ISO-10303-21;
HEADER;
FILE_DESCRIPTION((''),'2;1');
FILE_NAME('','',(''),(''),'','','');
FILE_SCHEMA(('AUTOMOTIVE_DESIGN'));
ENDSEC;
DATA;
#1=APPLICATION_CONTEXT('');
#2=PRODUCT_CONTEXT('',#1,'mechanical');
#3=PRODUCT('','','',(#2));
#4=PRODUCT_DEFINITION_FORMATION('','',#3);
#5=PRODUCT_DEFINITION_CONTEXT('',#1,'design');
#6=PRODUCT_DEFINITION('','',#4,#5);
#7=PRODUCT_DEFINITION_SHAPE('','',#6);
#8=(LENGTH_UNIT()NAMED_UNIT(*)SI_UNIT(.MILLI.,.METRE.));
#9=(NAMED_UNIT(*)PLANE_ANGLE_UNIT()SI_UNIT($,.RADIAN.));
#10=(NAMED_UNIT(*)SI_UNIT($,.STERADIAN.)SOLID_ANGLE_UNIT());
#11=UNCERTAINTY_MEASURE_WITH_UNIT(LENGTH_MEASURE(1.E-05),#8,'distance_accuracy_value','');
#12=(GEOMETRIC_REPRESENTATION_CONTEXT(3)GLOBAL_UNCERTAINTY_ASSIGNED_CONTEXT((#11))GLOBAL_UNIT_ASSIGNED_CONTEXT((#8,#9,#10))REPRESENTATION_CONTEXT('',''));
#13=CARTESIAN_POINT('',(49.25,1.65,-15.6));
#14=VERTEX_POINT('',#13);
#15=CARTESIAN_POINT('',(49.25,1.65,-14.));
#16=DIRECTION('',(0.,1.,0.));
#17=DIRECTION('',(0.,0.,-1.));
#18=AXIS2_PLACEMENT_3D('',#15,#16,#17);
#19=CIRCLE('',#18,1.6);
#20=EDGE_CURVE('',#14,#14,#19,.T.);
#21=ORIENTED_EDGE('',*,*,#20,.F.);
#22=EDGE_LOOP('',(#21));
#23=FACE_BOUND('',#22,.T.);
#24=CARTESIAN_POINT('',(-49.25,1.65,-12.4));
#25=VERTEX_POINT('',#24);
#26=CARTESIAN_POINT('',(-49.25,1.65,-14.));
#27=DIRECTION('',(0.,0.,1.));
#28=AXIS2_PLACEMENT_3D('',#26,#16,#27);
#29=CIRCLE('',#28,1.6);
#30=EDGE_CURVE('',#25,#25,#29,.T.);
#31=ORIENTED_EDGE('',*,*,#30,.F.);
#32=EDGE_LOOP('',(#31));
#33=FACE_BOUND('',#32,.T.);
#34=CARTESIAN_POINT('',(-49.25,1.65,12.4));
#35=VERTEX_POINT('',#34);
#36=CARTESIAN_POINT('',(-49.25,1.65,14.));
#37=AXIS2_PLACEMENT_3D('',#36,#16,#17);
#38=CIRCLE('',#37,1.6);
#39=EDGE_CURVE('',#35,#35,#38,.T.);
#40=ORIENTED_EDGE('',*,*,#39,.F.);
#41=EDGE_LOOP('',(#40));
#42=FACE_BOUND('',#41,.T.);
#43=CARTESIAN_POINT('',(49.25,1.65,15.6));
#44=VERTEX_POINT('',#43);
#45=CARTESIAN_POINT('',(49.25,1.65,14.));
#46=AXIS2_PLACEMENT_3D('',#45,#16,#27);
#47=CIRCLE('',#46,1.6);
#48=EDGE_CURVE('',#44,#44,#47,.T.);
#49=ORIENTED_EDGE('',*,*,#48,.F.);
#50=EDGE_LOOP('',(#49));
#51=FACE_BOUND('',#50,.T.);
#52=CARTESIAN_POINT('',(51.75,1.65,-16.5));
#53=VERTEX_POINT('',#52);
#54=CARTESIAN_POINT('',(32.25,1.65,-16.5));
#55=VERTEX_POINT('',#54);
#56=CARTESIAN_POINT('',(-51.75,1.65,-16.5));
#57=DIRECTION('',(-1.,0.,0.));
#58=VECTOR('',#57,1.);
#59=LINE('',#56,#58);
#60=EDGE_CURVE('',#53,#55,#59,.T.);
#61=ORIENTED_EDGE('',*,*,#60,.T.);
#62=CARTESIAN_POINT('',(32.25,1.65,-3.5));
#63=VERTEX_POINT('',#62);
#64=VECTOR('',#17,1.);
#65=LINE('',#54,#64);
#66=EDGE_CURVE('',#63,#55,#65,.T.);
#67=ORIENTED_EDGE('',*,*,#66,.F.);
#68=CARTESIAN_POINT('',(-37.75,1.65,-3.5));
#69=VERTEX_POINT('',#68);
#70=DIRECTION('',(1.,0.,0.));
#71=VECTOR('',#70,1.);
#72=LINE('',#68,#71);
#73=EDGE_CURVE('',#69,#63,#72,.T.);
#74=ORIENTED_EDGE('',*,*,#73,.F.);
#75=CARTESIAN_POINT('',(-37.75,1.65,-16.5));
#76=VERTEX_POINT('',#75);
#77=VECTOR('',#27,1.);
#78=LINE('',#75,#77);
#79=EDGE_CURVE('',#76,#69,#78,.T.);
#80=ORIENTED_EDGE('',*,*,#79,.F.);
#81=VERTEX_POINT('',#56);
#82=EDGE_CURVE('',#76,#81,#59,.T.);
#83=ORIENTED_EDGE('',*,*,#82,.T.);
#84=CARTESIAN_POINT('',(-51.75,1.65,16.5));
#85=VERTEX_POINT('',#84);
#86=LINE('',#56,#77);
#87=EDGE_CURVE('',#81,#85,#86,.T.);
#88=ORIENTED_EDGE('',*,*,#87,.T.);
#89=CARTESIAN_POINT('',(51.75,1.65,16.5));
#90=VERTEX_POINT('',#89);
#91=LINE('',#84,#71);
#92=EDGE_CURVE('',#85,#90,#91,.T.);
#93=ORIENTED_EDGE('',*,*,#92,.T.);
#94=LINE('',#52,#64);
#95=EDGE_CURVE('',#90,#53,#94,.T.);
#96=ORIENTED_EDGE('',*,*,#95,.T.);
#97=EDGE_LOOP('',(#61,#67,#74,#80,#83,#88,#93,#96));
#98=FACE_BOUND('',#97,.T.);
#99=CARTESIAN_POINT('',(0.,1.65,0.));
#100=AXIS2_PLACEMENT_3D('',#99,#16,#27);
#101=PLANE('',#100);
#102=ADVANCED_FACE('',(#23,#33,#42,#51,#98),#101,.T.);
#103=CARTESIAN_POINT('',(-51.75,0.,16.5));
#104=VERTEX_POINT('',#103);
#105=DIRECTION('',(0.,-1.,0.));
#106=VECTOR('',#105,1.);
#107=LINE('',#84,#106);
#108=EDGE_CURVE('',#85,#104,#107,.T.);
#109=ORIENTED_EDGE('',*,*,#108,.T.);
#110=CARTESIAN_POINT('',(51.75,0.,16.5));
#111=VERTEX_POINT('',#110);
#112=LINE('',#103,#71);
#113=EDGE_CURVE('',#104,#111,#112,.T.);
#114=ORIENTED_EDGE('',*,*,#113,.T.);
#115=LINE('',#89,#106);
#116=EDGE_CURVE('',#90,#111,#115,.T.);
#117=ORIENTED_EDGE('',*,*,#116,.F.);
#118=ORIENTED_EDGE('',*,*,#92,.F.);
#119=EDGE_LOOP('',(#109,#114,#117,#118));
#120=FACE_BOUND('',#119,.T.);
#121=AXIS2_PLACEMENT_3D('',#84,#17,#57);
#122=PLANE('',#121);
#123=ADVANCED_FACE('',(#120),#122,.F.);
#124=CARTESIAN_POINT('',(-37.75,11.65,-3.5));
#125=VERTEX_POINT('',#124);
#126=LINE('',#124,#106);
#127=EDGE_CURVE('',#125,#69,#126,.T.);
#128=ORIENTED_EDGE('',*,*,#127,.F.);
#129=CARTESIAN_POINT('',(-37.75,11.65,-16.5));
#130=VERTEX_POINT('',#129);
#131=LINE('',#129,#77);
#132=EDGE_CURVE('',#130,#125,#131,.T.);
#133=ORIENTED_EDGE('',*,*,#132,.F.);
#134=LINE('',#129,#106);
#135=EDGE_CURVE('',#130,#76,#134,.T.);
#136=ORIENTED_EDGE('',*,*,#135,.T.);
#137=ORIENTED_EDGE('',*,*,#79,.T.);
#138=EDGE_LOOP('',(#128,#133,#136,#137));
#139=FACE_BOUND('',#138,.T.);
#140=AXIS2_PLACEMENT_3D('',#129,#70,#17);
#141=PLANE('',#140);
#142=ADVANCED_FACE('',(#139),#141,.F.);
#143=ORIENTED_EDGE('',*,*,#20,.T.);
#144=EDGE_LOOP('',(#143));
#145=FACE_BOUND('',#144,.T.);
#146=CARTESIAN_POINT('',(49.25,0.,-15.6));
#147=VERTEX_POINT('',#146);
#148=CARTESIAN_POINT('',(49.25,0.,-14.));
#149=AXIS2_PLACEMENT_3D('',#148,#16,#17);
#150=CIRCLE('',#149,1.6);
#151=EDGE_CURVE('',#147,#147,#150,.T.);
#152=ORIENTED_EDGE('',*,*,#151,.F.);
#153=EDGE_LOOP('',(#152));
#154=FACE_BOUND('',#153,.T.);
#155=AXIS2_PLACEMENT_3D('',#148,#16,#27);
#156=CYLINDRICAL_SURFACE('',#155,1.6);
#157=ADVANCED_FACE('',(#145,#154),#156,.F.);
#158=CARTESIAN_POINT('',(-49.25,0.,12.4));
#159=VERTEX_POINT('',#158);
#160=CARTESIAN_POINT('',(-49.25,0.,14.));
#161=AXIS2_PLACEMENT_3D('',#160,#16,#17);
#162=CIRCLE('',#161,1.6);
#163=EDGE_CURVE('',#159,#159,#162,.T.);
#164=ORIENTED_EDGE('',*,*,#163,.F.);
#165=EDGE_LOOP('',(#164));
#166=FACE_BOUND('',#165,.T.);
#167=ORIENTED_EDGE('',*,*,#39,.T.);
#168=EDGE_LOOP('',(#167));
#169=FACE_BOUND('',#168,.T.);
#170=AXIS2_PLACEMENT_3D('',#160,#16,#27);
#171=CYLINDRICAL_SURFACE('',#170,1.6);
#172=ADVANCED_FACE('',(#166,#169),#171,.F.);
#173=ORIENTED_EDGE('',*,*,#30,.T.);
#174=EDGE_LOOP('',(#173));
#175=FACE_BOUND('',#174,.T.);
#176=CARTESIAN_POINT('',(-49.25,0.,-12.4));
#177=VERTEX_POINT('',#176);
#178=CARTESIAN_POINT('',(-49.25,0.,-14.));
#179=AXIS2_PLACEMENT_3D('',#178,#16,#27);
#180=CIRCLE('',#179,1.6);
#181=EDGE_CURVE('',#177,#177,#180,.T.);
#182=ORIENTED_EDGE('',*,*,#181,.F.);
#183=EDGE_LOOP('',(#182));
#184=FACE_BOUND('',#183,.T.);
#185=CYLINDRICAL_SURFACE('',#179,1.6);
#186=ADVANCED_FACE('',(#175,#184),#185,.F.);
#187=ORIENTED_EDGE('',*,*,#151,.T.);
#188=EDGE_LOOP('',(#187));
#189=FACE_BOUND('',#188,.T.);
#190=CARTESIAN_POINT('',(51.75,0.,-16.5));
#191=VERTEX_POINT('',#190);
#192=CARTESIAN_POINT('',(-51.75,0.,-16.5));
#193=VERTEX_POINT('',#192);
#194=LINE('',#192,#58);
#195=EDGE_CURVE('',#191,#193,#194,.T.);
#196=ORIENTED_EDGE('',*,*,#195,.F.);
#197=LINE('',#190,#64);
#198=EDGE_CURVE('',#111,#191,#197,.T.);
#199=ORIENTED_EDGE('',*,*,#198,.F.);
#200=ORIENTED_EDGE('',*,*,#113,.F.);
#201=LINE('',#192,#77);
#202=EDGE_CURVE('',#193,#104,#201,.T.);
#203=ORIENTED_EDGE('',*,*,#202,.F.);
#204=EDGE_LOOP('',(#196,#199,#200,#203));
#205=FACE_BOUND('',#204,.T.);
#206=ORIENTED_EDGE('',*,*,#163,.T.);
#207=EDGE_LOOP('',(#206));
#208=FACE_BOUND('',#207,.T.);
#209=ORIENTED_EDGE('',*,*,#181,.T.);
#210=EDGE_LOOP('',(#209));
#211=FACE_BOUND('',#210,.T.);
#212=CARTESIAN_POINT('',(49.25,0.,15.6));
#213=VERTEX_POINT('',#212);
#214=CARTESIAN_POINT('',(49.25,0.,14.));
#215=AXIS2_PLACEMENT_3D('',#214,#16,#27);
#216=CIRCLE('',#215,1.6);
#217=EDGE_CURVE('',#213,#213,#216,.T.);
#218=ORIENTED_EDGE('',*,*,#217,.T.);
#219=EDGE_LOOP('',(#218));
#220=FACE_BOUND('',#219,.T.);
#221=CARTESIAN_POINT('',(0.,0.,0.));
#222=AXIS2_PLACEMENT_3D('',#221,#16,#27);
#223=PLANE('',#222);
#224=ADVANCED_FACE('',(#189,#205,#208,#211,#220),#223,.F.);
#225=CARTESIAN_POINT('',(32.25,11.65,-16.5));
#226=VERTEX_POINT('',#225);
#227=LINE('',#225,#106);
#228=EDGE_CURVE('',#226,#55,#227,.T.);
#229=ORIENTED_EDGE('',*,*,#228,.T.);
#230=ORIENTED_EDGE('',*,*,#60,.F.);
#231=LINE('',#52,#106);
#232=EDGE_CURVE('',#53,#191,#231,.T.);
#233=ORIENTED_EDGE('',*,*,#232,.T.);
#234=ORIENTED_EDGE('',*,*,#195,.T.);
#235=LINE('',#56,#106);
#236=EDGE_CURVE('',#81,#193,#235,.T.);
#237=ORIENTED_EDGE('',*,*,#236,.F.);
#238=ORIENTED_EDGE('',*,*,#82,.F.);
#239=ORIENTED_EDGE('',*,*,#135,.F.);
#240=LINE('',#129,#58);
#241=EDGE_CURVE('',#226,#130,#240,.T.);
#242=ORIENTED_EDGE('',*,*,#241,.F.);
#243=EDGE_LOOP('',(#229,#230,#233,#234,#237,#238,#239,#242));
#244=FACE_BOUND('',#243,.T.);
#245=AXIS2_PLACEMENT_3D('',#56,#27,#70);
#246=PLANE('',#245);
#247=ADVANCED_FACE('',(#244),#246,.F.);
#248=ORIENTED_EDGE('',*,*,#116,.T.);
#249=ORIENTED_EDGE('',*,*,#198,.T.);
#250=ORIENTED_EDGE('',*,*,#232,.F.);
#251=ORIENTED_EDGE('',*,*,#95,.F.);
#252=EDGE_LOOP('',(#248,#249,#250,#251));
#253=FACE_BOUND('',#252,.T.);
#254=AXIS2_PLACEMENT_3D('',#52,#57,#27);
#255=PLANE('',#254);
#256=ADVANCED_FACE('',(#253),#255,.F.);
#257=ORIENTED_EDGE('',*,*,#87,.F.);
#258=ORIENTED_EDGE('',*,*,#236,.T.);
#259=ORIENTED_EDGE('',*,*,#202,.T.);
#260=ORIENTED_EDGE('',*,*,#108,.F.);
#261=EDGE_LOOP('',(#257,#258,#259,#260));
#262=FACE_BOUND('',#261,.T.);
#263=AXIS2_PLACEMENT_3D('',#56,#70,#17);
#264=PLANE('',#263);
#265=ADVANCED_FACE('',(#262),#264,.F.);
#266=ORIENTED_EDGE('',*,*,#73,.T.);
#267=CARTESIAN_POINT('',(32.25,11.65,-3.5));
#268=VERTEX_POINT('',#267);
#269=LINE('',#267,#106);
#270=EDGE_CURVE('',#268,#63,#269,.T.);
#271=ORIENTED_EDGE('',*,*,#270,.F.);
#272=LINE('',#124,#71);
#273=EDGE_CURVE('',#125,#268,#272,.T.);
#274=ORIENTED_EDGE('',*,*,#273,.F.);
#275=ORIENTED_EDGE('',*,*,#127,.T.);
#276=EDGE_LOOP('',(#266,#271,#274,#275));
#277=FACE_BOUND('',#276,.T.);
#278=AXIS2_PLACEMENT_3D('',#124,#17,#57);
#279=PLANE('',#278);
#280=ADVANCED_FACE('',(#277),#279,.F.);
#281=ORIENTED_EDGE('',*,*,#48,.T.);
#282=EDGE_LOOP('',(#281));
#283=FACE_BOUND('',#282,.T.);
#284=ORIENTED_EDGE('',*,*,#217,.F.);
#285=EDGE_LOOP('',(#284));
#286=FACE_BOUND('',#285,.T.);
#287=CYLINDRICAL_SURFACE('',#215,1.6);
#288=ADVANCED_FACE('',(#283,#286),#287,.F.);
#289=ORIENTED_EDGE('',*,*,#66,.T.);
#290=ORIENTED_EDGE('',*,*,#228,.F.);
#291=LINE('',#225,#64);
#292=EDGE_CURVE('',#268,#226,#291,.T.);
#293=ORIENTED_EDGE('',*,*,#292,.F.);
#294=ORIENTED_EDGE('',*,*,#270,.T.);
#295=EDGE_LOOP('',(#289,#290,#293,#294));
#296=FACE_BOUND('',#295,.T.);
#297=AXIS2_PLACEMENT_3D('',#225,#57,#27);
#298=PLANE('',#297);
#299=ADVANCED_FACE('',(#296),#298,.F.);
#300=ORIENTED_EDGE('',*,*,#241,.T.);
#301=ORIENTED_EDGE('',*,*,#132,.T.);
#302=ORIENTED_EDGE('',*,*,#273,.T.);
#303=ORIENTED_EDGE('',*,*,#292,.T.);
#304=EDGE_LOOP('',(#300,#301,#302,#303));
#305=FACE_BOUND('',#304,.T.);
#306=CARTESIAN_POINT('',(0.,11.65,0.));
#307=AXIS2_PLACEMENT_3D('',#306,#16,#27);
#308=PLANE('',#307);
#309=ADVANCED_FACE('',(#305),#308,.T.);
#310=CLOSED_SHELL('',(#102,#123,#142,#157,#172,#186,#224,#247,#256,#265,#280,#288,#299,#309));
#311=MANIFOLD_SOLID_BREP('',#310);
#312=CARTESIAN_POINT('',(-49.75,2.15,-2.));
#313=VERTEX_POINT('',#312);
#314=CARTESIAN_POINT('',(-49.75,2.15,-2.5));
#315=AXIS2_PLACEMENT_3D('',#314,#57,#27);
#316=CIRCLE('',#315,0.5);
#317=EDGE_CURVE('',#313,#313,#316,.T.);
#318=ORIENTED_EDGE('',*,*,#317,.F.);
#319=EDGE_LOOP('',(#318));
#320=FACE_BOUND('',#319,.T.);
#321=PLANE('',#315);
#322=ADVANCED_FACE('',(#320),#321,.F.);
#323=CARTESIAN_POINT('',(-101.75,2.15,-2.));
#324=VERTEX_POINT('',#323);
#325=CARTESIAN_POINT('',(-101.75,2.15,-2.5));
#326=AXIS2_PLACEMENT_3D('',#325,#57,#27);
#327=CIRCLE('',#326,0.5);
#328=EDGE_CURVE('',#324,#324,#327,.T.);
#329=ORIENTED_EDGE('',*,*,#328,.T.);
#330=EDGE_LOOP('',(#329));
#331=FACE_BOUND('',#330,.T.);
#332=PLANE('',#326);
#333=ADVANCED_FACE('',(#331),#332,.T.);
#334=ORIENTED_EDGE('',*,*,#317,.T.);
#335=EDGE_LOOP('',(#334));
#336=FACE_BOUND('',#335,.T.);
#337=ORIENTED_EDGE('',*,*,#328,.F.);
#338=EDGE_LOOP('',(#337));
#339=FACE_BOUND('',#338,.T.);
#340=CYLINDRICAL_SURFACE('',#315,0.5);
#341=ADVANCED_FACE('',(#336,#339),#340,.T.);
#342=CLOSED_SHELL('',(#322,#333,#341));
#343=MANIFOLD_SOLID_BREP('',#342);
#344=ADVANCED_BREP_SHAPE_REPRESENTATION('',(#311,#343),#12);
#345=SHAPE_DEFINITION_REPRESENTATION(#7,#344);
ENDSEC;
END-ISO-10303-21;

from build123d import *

# Parameters (mm, degrees)
SKIZZE1_W                            = 103.5
SKIZZE1_H                            = 33
AUFSATZ_LINEAR_AUSTRAGEN1_DEPTH      = 1.65
SKIZZE3_R                            = 0.5
AUFSATZ_LINEAR_AUSTRAGEN2_DEPTH      = 50
AUFSATZ_LINEAR_AUSTRAGEN2_DEPTH_BACK = 2
SKIZZE4_W                            = 70
SKIZZE4_H                            = 13
AUFSATZ_LINEAR_AUSTRAGEN3_DEPTH      = 10
SKIZZE6_R                            = 1.6
SCHNITT_LINEAR_AUSTRAGEN1_DEPTH      = 2.65


with BuildPart() as part:
    # Skizze1 → Aufsatz-Linear austragen1 (new body)
    with BuildSketch(Plane(origin=(0, 0, 0), x_dir=(1, 0, 0), z_dir=(0, 1, 0))):
        Rectangle(SKIZZE1_W, SKIZZE1_H)
    extrude(amount=AUFSATZ_LINEAR_AUSTRAGEN1_DEPTH)

    # Skizze4 → Aufsatz-Linear austragen3 (add)
    with BuildSketch(Plane(origin=(0, 1.65, 0), x_dir=(1, 0, 0), z_dir=(0, 1, 0))):
        with Locations((-2.75, 10)):
            Rectangle(SKIZZE4_W, SKIZZE4_H)
    extrude(amount=AUFSATZ_LINEAR_AUSTRAGEN3_DEPTH)

    # Skizze6 → Schnitt-Linear austragen1 (cut, through all)
    with BuildSketch(Plane(origin=(0, 1.65, 0), x_dir=(1, 0, 0), z_dir=(0, 1, 0))):
        with Locations((-49.25, 14)):
            Circle(SKIZZE6_R)
        with Locations((49.25, 14)):
            Circle(SKIZZE6_R)
        with Locations((49.25, -14)):
            Circle(SKIZZE6_R)
        with Locations((-49.25, -14)):
            Circle(SKIZZE6_R)
    extrude(amount=-SCHNITT_LINEAR_AUSTRAGEN1_DEPTH, mode=Mode.SUBTRACT)


with BuildPart() as body_2:
    # Skizze3 → Aufsatz-Linear austragen2 (new body, two sides)
    with BuildSketch(Plane.ZY.offset(51.75)) as aufsatz_linear_austragen2_sk:
        with Locations((-2.5, 2.15)):
            Circle(SKIZZE3_R)
    extrude(amount=AUFSATZ_LINEAR_AUSTRAGEN2_DEPTH)
    extrude(aufsatz_linear_austragen2_sk.sketch, amount=-AUFSATZ_LINEAR_AUSTRAGEN2_DEPTH_BACK)


solid = Compound([part.part, body_2.part])
